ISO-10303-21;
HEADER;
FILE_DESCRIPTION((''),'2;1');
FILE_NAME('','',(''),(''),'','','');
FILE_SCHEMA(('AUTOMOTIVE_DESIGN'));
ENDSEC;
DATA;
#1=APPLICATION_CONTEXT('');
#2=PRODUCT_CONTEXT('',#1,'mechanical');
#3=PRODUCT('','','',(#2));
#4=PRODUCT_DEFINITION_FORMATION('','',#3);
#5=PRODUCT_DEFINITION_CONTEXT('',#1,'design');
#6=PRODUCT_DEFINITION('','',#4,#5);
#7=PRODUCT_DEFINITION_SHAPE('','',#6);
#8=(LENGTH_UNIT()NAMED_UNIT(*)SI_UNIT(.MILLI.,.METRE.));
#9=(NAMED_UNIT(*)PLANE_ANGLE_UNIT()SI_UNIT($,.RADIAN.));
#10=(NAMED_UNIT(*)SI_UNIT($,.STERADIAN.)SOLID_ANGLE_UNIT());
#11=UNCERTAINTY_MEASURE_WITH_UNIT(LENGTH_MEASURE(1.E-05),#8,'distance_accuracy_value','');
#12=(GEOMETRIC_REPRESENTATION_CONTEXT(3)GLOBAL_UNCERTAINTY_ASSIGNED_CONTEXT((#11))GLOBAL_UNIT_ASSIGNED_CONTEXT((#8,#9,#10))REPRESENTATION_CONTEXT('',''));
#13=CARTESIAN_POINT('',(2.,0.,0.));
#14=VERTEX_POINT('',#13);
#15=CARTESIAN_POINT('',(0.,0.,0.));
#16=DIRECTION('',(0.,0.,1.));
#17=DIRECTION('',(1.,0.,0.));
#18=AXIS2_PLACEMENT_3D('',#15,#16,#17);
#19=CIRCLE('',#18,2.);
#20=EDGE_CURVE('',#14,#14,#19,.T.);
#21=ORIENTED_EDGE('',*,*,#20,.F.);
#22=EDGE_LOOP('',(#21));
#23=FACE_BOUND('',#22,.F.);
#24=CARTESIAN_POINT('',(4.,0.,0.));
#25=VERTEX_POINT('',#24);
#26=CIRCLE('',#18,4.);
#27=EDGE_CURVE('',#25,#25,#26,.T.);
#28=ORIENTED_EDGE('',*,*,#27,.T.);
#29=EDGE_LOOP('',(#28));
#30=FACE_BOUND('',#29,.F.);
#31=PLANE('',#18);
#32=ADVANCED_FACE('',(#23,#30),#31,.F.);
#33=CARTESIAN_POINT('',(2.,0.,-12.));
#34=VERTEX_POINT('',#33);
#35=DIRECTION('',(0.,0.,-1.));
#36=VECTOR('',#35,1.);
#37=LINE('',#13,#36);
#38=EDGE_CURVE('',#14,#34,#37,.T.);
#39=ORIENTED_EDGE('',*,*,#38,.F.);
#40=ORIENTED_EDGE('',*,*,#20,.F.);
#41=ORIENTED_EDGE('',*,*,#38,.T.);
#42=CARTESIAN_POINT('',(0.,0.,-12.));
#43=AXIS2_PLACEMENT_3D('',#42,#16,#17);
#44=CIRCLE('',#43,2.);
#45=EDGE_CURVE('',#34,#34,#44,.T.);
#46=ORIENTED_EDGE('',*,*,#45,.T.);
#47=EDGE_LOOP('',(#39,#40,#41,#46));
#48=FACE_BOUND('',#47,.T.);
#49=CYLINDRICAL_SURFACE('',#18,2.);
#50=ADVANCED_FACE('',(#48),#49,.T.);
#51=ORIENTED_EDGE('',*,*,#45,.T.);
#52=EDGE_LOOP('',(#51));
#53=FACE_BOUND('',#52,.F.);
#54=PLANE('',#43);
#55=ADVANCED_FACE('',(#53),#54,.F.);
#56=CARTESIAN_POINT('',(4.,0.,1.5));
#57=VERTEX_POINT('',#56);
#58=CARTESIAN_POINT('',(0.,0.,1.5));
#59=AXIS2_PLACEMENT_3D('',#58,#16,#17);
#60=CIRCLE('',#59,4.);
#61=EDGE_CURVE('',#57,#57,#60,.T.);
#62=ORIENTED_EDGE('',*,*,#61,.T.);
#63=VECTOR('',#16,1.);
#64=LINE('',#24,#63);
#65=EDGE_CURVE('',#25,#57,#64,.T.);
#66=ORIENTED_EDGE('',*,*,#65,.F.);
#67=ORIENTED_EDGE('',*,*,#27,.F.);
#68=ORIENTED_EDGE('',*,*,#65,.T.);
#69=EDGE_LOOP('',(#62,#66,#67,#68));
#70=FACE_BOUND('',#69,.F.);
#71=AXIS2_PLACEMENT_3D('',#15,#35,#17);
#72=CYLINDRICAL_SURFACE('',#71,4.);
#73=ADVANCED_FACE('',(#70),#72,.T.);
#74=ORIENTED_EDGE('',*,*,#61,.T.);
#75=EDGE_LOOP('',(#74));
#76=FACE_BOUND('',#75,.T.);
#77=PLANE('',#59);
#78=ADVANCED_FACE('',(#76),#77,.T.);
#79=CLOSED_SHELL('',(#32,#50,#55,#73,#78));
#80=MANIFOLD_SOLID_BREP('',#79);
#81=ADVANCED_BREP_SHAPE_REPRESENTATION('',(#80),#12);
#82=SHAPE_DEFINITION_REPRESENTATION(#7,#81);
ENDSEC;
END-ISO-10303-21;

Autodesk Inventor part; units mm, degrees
ref_plane "YZ Plane" through (0, 0, 0) normal (1, 0, 0) x (0, 1, 0)
ref_plane "XZ Plane" through (0, 0, 0) normal (0, 1, 0) x (-1, 0, 0)
ref_plane "XY Plane" through (0, 0, 0) normal (0, 0, 1) x (1, 0, 0)
sketch "スケッチ1" plane through (0, 0, 0) normal (0, 0, 1) x (1, 0, 0)
  circle A0 centre (0, 0) radius 4
  circle A1 centre (0, 0) radius 2
  dimension "d0" = 8
  dimension "d1" = 4
extrude "押し出し1" add sketch "スケッチ1" along normal blind 1.5 contours A0 | A1
extrude "押し出し2" add sketch "スケッチ1" against normal blind 12 contours A1
properties part number "M4 六角穴付き ローヘッドキャップ (極低頭タイプ) L12" material "鋼、炭素鋼"
